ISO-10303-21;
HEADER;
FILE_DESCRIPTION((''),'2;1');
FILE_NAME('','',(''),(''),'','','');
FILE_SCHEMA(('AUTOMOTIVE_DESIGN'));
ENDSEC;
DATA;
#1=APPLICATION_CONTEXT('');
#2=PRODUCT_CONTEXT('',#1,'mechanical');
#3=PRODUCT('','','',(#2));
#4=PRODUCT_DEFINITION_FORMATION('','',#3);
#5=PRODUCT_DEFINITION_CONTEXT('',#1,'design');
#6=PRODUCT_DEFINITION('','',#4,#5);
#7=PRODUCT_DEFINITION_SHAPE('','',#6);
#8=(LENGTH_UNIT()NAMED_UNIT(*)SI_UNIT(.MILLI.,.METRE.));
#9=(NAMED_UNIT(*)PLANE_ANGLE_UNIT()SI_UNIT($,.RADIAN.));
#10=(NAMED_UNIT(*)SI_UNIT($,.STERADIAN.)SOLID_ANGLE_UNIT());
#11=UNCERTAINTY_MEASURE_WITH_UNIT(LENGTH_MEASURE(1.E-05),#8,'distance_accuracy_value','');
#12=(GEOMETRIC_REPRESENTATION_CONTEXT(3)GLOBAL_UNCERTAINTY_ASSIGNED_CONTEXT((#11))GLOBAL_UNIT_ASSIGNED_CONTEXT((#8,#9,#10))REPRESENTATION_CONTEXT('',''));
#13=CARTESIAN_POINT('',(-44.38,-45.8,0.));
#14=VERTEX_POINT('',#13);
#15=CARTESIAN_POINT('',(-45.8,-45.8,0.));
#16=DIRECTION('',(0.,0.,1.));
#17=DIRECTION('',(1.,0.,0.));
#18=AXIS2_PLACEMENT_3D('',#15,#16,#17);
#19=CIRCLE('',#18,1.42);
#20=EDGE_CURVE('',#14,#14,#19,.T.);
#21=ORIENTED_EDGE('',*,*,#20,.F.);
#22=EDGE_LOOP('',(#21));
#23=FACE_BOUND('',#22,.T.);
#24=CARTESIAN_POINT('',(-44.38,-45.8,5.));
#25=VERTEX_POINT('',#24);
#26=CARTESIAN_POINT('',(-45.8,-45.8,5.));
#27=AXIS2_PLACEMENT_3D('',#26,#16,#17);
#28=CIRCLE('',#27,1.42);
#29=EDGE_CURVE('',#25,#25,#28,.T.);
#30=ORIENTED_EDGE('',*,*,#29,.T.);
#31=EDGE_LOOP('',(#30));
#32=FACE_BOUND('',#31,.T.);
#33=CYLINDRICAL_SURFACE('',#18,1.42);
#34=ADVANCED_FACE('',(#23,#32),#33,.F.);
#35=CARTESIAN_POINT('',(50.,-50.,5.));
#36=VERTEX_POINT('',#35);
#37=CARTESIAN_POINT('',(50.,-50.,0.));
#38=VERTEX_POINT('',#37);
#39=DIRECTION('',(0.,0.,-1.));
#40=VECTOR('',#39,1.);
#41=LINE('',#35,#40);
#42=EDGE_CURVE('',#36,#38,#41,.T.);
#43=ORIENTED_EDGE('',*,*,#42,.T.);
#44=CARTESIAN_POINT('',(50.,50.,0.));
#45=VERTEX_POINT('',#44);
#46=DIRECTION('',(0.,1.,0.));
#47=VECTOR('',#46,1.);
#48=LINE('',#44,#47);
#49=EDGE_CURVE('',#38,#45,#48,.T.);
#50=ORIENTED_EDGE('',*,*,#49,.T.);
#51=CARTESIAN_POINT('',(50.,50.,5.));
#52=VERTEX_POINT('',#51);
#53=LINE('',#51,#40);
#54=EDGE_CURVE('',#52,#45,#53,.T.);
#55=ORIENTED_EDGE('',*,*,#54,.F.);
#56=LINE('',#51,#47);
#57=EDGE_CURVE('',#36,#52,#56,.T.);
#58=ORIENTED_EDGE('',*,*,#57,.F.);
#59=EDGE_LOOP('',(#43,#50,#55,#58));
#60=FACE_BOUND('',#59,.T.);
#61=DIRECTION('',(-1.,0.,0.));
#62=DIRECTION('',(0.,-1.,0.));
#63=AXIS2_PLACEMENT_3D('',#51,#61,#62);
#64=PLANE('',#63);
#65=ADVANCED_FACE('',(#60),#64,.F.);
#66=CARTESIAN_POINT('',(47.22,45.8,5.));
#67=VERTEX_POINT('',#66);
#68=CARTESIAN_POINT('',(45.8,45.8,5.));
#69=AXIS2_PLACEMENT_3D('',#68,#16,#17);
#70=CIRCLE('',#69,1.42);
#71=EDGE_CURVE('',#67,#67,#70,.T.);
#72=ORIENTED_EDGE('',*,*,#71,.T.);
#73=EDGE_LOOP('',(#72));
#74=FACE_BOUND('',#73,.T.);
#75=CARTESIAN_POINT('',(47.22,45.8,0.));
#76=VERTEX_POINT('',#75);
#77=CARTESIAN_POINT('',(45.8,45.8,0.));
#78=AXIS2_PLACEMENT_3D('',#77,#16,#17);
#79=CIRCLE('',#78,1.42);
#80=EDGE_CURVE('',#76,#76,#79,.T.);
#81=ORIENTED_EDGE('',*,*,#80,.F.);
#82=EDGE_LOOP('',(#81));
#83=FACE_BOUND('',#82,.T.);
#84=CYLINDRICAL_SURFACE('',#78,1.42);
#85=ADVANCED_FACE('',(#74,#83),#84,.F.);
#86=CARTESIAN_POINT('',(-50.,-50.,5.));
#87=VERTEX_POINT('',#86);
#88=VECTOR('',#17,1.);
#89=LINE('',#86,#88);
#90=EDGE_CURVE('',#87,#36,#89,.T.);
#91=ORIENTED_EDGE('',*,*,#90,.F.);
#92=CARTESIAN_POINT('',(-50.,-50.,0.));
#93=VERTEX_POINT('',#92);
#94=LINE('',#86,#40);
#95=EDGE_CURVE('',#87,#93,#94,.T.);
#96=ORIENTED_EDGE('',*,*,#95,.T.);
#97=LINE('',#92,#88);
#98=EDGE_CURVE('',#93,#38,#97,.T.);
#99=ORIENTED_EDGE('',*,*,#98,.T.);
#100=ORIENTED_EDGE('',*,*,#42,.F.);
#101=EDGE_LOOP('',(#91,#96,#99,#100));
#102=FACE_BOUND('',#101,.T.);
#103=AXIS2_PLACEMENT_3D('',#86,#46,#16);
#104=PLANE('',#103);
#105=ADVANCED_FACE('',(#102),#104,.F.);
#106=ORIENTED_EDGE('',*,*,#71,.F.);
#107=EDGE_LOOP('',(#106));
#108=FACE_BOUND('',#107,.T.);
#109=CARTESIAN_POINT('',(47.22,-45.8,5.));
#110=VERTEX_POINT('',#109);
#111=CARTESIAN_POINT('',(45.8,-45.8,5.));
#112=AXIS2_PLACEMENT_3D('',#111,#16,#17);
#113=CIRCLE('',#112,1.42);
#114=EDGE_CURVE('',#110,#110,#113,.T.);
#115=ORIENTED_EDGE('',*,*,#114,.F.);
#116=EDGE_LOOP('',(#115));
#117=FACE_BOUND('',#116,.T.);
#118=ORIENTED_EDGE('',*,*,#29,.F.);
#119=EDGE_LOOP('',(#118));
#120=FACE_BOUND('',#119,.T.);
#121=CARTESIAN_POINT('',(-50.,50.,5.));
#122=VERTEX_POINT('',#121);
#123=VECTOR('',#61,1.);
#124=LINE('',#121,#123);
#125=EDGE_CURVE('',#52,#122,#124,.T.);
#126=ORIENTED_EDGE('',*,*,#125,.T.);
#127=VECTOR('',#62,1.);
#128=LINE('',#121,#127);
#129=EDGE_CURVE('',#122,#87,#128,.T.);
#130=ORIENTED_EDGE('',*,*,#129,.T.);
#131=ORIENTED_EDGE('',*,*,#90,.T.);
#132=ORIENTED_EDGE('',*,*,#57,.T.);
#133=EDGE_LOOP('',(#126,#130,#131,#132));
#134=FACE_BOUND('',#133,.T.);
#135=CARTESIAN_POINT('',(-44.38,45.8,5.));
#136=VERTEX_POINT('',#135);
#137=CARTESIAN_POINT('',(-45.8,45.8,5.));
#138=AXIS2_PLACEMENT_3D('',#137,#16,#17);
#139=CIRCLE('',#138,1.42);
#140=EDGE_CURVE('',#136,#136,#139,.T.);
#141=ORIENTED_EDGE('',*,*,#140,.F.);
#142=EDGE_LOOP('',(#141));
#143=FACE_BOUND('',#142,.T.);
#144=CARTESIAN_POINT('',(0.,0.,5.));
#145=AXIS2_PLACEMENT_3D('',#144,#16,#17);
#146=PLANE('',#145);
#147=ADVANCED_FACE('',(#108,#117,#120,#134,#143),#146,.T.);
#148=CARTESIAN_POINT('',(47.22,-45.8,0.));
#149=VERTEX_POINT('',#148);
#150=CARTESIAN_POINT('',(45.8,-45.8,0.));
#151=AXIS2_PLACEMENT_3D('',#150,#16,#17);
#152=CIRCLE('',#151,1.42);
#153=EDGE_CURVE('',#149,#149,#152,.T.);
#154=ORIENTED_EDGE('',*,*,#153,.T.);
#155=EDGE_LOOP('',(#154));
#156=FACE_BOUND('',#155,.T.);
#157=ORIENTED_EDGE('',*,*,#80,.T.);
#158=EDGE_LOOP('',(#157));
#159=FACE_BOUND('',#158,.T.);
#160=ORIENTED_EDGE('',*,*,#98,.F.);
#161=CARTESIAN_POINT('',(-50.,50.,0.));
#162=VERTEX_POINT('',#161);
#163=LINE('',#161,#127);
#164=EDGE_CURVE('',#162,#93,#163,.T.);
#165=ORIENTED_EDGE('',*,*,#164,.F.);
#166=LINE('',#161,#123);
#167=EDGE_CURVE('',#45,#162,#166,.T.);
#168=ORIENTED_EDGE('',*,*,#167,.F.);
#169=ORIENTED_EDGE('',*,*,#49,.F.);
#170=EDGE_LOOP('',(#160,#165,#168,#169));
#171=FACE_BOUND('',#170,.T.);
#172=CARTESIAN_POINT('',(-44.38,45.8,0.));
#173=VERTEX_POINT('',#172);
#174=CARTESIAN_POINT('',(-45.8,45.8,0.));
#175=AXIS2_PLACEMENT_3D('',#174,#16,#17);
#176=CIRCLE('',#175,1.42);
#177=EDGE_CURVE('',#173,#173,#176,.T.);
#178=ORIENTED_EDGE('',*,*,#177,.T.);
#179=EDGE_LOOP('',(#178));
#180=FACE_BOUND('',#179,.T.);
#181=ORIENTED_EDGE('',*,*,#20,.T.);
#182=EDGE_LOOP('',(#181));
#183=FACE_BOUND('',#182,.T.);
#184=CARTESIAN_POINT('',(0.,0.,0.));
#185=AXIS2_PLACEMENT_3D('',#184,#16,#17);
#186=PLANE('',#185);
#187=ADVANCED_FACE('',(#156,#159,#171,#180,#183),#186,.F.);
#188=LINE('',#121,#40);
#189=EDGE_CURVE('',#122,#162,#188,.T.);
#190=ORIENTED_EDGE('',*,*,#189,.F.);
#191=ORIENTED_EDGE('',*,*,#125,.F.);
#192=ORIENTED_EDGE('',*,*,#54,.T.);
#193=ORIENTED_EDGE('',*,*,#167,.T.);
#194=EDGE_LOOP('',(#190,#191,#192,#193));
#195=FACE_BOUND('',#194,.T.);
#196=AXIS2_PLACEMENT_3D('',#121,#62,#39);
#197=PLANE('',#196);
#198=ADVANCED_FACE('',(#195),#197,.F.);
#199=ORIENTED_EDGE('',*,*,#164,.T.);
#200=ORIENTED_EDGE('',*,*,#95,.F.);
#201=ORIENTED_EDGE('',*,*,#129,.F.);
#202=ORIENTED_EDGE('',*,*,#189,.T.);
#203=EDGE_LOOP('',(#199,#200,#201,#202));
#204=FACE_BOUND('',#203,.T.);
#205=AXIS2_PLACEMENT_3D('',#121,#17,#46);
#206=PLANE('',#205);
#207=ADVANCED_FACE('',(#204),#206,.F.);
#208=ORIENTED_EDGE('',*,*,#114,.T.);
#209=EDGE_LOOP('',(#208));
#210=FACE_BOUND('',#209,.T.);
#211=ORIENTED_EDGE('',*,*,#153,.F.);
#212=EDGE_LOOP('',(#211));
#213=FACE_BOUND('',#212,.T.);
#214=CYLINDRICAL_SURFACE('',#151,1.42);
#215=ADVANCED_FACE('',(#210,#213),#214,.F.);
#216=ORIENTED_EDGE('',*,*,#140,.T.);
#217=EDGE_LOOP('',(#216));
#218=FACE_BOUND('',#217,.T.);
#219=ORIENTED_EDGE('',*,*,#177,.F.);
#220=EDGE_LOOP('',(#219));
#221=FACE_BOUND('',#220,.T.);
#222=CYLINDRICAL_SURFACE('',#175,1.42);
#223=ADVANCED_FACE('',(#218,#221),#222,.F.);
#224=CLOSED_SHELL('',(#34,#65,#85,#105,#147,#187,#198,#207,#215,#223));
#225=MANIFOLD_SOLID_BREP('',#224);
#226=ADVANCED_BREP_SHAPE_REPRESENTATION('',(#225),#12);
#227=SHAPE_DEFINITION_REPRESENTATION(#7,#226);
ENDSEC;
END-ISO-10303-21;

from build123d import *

# Parameters (mm, degrees)
ESQUISSE2_W             = 100
ESQUISSE2_H             = 100
BOSS_EXTRU_1_DEPTH      = 5
ESQUISSE3_R             = 1.42
ENL_V_MAT_EXTRU_1_DEPTH = 5


with BuildPart() as part:
    # Esquisse2 → Boss.-Extru.1 (new body)
    with BuildSketch(Plane.XY):
        Rectangle(ESQUISSE2_W, ESQUISSE2_H)
    extrude(amount=BOSS_EXTRU_1_DEPTH)

    # Esquisse3 → Enlèv. mat.-Extru.1 (cut)
    with BuildSketch(Plane.XY.offset(5)):
        with Locations((-45.8, 45.8)):
            Circle(ESQUISSE3_R)
        with Locations((-45.8, -45.8)):
            Circle(ESQUISSE3_R)
        with Locations((45.8, -45.8)):
            Circle(ESQUISSE3_R)
        with Locations((45.8, 45.8)):
            Circle(ESQUISSE3_R)
    extrude(amount=-ENL_V_MAT_EXTRU_1_DEPTH, mode=Mode.SUBTRACT)


solid = part.part
